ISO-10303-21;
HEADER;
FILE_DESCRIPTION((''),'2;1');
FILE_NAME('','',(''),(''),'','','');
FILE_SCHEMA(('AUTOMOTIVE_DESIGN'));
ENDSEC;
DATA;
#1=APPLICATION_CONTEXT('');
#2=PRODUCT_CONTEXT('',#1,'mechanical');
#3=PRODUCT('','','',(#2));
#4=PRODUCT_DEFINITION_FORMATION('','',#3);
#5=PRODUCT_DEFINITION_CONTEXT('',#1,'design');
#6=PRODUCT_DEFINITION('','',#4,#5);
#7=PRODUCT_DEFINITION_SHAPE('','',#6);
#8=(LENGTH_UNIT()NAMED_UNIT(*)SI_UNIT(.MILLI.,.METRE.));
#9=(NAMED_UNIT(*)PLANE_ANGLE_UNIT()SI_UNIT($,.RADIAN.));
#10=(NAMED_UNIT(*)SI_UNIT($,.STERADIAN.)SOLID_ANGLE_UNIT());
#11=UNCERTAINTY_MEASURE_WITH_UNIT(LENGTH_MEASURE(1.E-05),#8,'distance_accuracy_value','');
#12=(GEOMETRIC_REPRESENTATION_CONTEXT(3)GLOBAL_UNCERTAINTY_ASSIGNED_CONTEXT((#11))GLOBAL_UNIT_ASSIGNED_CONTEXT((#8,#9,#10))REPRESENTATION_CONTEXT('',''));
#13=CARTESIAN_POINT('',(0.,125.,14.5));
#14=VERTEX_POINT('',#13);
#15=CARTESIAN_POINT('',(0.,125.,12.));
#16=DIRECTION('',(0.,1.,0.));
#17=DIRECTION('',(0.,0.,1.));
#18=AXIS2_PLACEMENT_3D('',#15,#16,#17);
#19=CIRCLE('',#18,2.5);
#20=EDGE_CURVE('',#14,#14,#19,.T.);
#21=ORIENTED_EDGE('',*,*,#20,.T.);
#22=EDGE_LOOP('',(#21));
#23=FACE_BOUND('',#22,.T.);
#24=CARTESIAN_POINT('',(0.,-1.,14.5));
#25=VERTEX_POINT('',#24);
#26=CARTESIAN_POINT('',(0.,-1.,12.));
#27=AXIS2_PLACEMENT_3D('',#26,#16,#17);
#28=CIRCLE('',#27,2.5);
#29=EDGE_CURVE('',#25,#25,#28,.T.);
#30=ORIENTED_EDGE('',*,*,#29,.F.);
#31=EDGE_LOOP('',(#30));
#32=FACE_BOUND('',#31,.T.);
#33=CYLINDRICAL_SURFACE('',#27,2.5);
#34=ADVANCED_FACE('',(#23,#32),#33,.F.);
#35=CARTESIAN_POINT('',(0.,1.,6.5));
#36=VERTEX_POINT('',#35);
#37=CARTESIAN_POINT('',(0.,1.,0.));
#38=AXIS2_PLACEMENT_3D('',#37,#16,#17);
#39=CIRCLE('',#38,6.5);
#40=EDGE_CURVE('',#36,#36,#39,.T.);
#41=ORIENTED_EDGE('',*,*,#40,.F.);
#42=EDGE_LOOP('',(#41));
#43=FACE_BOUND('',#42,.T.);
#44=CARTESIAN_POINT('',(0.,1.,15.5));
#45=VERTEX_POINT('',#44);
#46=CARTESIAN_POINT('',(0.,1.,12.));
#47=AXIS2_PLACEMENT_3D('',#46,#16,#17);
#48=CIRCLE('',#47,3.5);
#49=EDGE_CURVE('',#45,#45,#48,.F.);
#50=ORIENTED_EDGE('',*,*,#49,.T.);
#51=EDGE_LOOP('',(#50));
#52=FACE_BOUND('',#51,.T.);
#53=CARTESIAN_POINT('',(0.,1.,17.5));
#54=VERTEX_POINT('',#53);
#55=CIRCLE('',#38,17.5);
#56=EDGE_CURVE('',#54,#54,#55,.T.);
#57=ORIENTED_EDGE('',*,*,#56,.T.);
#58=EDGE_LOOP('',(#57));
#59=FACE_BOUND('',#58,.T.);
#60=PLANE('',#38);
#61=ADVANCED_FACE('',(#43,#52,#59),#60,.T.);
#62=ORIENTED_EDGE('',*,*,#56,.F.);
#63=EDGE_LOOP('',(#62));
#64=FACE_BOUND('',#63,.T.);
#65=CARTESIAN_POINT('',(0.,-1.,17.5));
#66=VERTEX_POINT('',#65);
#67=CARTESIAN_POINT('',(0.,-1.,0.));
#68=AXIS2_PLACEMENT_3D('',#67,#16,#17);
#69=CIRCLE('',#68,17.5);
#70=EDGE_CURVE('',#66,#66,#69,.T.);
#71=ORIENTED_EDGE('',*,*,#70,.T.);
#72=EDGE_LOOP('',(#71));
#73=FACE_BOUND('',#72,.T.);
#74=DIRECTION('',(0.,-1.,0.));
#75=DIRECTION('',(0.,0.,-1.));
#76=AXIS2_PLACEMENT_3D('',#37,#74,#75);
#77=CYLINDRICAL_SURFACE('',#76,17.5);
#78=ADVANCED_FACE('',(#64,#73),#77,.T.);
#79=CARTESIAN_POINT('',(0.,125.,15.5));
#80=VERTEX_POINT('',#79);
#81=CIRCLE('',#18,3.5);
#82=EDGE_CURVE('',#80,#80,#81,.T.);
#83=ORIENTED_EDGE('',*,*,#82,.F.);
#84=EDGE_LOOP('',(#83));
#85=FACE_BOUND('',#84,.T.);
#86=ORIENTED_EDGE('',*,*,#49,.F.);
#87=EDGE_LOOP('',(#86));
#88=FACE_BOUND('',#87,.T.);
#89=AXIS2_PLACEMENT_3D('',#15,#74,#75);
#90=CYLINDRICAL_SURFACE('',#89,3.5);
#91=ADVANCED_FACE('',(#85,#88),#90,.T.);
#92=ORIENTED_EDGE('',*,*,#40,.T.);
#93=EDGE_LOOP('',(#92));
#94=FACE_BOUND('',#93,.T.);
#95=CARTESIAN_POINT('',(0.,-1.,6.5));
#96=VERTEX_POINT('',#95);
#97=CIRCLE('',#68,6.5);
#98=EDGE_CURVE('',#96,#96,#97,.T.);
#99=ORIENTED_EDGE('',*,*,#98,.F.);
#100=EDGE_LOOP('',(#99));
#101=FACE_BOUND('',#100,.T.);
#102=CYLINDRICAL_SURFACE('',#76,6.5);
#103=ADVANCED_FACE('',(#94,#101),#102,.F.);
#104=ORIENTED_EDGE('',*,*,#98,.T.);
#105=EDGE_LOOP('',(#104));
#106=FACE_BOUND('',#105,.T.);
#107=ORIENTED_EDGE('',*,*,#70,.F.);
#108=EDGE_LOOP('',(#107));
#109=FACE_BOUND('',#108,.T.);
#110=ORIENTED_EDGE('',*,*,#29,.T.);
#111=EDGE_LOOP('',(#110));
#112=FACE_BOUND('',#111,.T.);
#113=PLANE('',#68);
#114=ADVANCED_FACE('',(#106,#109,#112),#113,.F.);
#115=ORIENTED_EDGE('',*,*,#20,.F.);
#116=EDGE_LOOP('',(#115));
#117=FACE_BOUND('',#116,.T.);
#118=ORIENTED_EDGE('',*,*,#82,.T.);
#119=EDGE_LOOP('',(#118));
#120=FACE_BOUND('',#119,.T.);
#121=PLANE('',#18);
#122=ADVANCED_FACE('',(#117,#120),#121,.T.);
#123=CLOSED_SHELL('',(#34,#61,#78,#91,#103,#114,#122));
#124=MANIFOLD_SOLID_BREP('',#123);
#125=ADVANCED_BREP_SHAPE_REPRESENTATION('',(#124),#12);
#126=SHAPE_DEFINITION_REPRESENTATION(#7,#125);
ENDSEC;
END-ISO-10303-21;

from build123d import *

# Parameters (mm, degrees)
SKETCH2_R          = 17.5
SKETCH2_R_2        = 6.5
PLATE_DEPTH        = 1
SKETCH2_4_R        = 3.5
ROD_DEPTH          = 125
SKETCH3_R          = 2.5
CUT_EXTRUDE1_DEPTH = 127


with BuildPart() as part:
    # Sketch2 → Plate (new body, symmetric)
    with BuildSketch(Plane(origin=(0, 0, 0), x_dir=(1, 0, 0), z_dir=(0, 1, 0))):
        Circle(SKETCH2_R)
        Circle(SKETCH2_R_2, mode=Mode.SUBTRACT)
    extrude(amount=PLATE_DEPTH, both=True)

    # Sketch2<4> → Rod (add)
    with BuildSketch(Plane(origin=(0, 0, 0), x_dir=(1, 0, 0), z_dir=(0, 1, 0))):
        with Locations((0, -12)):
            Circle(SKETCH2_4_R)
    extrude(amount=ROD_DEPTH)

    # Sketch3 → Cut-Extrude1 (cut, through all)
    with BuildSketch(Plane(origin=(0, 125, 0), x_dir=(1, 0, 0), z_dir=(0, 1, 0))):
        with Locations((0, -12)):
            Circle(SKETCH3_R)
    extrude(amount=-CUT_EXTRUDE1_DEPTH, mode=Mode.SUBTRACT)


solid = part.part
